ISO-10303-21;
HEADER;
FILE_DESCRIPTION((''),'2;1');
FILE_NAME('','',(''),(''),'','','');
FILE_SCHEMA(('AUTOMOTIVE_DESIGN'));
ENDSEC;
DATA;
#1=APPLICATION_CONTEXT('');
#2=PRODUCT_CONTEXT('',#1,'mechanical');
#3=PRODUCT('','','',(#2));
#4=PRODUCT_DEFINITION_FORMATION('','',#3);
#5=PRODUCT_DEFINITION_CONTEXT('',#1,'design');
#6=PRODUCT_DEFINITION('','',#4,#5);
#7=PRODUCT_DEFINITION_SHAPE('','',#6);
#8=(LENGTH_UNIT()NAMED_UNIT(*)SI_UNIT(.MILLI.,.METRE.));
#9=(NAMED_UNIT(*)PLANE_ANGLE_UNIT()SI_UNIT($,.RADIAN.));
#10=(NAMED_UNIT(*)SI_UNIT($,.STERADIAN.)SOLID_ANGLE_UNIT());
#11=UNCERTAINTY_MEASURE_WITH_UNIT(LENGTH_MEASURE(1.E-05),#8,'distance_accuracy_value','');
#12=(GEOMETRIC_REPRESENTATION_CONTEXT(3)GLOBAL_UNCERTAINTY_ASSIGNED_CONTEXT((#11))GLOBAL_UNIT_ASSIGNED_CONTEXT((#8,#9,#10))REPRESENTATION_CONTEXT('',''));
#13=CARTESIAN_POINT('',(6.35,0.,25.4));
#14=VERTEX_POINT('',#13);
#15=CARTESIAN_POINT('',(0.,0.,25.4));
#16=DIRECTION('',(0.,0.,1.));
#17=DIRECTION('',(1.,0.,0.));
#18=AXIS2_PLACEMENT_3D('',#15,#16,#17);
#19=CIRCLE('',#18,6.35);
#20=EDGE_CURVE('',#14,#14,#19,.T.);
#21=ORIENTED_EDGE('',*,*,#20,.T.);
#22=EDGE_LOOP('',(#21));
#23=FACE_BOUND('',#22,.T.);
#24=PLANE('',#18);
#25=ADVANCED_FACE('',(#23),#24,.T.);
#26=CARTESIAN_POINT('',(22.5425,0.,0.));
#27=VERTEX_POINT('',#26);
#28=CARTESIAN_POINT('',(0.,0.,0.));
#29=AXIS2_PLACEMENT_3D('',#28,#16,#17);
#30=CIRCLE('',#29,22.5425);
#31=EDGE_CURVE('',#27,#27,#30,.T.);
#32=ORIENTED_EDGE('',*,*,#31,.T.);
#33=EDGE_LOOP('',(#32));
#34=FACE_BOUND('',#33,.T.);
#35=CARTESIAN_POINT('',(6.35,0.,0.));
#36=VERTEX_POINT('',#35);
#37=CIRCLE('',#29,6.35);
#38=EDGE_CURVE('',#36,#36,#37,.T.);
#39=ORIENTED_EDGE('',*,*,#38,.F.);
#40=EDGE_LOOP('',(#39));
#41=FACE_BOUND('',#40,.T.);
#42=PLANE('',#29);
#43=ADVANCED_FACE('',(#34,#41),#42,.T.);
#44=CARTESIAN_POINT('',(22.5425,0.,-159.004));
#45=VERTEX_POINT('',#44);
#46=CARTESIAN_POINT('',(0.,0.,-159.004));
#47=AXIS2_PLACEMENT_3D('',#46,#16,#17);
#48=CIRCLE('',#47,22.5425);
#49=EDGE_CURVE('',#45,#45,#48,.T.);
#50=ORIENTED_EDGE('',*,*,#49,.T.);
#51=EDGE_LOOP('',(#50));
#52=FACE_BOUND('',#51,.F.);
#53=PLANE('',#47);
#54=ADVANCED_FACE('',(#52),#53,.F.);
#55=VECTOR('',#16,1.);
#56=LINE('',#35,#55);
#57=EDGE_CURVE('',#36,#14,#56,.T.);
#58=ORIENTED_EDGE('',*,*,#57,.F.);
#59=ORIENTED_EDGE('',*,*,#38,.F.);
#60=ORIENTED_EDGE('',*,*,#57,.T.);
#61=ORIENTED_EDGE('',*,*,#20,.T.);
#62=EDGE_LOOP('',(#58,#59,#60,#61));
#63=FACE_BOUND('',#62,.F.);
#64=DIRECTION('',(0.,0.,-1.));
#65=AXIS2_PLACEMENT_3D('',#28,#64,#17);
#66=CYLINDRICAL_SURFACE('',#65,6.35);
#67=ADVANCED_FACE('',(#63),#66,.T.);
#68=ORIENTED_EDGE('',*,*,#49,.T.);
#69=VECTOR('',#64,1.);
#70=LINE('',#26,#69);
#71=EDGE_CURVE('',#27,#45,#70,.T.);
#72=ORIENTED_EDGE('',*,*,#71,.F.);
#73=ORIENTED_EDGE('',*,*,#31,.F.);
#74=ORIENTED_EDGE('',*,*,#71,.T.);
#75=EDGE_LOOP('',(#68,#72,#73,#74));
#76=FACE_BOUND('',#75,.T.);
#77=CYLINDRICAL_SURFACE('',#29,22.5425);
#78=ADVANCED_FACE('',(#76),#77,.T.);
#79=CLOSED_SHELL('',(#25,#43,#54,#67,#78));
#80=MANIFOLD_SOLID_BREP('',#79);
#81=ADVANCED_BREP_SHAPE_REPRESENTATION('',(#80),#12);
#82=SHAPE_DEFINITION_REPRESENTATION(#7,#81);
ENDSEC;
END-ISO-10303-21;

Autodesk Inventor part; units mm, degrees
ref_plane "YZ Plane" through (0, 0, 0) normal (1, 0, 0) x (0, 1, 0)
ref_plane "XZ Plane" through (0, 0, 0) normal (0, 1, 0) x (-1, 0, 0)
ref_plane "XY Plane" through (0, 0, 0) normal (0, 0, 1) x (1, 0, 0)
sketch "Sketch1" plane through (0, 0, 0) normal (0, 0, 1) x (1, 0, 0)
  circle A0 centre (0, 0) radius 22.5425
  circle A1 centre (0, 0) radius 6.35
  dimension "d0" = 45.085
  dimension "d1" = 12.7
extrude "Extrusion1" add sketch "Sketch1" against normal blind 159.004 contours A0 | A1
extrude "Extrusion2" add sketch "Sketch1" along normal blind 25.4 contours A1
properties part number "gearmotor proxy"
